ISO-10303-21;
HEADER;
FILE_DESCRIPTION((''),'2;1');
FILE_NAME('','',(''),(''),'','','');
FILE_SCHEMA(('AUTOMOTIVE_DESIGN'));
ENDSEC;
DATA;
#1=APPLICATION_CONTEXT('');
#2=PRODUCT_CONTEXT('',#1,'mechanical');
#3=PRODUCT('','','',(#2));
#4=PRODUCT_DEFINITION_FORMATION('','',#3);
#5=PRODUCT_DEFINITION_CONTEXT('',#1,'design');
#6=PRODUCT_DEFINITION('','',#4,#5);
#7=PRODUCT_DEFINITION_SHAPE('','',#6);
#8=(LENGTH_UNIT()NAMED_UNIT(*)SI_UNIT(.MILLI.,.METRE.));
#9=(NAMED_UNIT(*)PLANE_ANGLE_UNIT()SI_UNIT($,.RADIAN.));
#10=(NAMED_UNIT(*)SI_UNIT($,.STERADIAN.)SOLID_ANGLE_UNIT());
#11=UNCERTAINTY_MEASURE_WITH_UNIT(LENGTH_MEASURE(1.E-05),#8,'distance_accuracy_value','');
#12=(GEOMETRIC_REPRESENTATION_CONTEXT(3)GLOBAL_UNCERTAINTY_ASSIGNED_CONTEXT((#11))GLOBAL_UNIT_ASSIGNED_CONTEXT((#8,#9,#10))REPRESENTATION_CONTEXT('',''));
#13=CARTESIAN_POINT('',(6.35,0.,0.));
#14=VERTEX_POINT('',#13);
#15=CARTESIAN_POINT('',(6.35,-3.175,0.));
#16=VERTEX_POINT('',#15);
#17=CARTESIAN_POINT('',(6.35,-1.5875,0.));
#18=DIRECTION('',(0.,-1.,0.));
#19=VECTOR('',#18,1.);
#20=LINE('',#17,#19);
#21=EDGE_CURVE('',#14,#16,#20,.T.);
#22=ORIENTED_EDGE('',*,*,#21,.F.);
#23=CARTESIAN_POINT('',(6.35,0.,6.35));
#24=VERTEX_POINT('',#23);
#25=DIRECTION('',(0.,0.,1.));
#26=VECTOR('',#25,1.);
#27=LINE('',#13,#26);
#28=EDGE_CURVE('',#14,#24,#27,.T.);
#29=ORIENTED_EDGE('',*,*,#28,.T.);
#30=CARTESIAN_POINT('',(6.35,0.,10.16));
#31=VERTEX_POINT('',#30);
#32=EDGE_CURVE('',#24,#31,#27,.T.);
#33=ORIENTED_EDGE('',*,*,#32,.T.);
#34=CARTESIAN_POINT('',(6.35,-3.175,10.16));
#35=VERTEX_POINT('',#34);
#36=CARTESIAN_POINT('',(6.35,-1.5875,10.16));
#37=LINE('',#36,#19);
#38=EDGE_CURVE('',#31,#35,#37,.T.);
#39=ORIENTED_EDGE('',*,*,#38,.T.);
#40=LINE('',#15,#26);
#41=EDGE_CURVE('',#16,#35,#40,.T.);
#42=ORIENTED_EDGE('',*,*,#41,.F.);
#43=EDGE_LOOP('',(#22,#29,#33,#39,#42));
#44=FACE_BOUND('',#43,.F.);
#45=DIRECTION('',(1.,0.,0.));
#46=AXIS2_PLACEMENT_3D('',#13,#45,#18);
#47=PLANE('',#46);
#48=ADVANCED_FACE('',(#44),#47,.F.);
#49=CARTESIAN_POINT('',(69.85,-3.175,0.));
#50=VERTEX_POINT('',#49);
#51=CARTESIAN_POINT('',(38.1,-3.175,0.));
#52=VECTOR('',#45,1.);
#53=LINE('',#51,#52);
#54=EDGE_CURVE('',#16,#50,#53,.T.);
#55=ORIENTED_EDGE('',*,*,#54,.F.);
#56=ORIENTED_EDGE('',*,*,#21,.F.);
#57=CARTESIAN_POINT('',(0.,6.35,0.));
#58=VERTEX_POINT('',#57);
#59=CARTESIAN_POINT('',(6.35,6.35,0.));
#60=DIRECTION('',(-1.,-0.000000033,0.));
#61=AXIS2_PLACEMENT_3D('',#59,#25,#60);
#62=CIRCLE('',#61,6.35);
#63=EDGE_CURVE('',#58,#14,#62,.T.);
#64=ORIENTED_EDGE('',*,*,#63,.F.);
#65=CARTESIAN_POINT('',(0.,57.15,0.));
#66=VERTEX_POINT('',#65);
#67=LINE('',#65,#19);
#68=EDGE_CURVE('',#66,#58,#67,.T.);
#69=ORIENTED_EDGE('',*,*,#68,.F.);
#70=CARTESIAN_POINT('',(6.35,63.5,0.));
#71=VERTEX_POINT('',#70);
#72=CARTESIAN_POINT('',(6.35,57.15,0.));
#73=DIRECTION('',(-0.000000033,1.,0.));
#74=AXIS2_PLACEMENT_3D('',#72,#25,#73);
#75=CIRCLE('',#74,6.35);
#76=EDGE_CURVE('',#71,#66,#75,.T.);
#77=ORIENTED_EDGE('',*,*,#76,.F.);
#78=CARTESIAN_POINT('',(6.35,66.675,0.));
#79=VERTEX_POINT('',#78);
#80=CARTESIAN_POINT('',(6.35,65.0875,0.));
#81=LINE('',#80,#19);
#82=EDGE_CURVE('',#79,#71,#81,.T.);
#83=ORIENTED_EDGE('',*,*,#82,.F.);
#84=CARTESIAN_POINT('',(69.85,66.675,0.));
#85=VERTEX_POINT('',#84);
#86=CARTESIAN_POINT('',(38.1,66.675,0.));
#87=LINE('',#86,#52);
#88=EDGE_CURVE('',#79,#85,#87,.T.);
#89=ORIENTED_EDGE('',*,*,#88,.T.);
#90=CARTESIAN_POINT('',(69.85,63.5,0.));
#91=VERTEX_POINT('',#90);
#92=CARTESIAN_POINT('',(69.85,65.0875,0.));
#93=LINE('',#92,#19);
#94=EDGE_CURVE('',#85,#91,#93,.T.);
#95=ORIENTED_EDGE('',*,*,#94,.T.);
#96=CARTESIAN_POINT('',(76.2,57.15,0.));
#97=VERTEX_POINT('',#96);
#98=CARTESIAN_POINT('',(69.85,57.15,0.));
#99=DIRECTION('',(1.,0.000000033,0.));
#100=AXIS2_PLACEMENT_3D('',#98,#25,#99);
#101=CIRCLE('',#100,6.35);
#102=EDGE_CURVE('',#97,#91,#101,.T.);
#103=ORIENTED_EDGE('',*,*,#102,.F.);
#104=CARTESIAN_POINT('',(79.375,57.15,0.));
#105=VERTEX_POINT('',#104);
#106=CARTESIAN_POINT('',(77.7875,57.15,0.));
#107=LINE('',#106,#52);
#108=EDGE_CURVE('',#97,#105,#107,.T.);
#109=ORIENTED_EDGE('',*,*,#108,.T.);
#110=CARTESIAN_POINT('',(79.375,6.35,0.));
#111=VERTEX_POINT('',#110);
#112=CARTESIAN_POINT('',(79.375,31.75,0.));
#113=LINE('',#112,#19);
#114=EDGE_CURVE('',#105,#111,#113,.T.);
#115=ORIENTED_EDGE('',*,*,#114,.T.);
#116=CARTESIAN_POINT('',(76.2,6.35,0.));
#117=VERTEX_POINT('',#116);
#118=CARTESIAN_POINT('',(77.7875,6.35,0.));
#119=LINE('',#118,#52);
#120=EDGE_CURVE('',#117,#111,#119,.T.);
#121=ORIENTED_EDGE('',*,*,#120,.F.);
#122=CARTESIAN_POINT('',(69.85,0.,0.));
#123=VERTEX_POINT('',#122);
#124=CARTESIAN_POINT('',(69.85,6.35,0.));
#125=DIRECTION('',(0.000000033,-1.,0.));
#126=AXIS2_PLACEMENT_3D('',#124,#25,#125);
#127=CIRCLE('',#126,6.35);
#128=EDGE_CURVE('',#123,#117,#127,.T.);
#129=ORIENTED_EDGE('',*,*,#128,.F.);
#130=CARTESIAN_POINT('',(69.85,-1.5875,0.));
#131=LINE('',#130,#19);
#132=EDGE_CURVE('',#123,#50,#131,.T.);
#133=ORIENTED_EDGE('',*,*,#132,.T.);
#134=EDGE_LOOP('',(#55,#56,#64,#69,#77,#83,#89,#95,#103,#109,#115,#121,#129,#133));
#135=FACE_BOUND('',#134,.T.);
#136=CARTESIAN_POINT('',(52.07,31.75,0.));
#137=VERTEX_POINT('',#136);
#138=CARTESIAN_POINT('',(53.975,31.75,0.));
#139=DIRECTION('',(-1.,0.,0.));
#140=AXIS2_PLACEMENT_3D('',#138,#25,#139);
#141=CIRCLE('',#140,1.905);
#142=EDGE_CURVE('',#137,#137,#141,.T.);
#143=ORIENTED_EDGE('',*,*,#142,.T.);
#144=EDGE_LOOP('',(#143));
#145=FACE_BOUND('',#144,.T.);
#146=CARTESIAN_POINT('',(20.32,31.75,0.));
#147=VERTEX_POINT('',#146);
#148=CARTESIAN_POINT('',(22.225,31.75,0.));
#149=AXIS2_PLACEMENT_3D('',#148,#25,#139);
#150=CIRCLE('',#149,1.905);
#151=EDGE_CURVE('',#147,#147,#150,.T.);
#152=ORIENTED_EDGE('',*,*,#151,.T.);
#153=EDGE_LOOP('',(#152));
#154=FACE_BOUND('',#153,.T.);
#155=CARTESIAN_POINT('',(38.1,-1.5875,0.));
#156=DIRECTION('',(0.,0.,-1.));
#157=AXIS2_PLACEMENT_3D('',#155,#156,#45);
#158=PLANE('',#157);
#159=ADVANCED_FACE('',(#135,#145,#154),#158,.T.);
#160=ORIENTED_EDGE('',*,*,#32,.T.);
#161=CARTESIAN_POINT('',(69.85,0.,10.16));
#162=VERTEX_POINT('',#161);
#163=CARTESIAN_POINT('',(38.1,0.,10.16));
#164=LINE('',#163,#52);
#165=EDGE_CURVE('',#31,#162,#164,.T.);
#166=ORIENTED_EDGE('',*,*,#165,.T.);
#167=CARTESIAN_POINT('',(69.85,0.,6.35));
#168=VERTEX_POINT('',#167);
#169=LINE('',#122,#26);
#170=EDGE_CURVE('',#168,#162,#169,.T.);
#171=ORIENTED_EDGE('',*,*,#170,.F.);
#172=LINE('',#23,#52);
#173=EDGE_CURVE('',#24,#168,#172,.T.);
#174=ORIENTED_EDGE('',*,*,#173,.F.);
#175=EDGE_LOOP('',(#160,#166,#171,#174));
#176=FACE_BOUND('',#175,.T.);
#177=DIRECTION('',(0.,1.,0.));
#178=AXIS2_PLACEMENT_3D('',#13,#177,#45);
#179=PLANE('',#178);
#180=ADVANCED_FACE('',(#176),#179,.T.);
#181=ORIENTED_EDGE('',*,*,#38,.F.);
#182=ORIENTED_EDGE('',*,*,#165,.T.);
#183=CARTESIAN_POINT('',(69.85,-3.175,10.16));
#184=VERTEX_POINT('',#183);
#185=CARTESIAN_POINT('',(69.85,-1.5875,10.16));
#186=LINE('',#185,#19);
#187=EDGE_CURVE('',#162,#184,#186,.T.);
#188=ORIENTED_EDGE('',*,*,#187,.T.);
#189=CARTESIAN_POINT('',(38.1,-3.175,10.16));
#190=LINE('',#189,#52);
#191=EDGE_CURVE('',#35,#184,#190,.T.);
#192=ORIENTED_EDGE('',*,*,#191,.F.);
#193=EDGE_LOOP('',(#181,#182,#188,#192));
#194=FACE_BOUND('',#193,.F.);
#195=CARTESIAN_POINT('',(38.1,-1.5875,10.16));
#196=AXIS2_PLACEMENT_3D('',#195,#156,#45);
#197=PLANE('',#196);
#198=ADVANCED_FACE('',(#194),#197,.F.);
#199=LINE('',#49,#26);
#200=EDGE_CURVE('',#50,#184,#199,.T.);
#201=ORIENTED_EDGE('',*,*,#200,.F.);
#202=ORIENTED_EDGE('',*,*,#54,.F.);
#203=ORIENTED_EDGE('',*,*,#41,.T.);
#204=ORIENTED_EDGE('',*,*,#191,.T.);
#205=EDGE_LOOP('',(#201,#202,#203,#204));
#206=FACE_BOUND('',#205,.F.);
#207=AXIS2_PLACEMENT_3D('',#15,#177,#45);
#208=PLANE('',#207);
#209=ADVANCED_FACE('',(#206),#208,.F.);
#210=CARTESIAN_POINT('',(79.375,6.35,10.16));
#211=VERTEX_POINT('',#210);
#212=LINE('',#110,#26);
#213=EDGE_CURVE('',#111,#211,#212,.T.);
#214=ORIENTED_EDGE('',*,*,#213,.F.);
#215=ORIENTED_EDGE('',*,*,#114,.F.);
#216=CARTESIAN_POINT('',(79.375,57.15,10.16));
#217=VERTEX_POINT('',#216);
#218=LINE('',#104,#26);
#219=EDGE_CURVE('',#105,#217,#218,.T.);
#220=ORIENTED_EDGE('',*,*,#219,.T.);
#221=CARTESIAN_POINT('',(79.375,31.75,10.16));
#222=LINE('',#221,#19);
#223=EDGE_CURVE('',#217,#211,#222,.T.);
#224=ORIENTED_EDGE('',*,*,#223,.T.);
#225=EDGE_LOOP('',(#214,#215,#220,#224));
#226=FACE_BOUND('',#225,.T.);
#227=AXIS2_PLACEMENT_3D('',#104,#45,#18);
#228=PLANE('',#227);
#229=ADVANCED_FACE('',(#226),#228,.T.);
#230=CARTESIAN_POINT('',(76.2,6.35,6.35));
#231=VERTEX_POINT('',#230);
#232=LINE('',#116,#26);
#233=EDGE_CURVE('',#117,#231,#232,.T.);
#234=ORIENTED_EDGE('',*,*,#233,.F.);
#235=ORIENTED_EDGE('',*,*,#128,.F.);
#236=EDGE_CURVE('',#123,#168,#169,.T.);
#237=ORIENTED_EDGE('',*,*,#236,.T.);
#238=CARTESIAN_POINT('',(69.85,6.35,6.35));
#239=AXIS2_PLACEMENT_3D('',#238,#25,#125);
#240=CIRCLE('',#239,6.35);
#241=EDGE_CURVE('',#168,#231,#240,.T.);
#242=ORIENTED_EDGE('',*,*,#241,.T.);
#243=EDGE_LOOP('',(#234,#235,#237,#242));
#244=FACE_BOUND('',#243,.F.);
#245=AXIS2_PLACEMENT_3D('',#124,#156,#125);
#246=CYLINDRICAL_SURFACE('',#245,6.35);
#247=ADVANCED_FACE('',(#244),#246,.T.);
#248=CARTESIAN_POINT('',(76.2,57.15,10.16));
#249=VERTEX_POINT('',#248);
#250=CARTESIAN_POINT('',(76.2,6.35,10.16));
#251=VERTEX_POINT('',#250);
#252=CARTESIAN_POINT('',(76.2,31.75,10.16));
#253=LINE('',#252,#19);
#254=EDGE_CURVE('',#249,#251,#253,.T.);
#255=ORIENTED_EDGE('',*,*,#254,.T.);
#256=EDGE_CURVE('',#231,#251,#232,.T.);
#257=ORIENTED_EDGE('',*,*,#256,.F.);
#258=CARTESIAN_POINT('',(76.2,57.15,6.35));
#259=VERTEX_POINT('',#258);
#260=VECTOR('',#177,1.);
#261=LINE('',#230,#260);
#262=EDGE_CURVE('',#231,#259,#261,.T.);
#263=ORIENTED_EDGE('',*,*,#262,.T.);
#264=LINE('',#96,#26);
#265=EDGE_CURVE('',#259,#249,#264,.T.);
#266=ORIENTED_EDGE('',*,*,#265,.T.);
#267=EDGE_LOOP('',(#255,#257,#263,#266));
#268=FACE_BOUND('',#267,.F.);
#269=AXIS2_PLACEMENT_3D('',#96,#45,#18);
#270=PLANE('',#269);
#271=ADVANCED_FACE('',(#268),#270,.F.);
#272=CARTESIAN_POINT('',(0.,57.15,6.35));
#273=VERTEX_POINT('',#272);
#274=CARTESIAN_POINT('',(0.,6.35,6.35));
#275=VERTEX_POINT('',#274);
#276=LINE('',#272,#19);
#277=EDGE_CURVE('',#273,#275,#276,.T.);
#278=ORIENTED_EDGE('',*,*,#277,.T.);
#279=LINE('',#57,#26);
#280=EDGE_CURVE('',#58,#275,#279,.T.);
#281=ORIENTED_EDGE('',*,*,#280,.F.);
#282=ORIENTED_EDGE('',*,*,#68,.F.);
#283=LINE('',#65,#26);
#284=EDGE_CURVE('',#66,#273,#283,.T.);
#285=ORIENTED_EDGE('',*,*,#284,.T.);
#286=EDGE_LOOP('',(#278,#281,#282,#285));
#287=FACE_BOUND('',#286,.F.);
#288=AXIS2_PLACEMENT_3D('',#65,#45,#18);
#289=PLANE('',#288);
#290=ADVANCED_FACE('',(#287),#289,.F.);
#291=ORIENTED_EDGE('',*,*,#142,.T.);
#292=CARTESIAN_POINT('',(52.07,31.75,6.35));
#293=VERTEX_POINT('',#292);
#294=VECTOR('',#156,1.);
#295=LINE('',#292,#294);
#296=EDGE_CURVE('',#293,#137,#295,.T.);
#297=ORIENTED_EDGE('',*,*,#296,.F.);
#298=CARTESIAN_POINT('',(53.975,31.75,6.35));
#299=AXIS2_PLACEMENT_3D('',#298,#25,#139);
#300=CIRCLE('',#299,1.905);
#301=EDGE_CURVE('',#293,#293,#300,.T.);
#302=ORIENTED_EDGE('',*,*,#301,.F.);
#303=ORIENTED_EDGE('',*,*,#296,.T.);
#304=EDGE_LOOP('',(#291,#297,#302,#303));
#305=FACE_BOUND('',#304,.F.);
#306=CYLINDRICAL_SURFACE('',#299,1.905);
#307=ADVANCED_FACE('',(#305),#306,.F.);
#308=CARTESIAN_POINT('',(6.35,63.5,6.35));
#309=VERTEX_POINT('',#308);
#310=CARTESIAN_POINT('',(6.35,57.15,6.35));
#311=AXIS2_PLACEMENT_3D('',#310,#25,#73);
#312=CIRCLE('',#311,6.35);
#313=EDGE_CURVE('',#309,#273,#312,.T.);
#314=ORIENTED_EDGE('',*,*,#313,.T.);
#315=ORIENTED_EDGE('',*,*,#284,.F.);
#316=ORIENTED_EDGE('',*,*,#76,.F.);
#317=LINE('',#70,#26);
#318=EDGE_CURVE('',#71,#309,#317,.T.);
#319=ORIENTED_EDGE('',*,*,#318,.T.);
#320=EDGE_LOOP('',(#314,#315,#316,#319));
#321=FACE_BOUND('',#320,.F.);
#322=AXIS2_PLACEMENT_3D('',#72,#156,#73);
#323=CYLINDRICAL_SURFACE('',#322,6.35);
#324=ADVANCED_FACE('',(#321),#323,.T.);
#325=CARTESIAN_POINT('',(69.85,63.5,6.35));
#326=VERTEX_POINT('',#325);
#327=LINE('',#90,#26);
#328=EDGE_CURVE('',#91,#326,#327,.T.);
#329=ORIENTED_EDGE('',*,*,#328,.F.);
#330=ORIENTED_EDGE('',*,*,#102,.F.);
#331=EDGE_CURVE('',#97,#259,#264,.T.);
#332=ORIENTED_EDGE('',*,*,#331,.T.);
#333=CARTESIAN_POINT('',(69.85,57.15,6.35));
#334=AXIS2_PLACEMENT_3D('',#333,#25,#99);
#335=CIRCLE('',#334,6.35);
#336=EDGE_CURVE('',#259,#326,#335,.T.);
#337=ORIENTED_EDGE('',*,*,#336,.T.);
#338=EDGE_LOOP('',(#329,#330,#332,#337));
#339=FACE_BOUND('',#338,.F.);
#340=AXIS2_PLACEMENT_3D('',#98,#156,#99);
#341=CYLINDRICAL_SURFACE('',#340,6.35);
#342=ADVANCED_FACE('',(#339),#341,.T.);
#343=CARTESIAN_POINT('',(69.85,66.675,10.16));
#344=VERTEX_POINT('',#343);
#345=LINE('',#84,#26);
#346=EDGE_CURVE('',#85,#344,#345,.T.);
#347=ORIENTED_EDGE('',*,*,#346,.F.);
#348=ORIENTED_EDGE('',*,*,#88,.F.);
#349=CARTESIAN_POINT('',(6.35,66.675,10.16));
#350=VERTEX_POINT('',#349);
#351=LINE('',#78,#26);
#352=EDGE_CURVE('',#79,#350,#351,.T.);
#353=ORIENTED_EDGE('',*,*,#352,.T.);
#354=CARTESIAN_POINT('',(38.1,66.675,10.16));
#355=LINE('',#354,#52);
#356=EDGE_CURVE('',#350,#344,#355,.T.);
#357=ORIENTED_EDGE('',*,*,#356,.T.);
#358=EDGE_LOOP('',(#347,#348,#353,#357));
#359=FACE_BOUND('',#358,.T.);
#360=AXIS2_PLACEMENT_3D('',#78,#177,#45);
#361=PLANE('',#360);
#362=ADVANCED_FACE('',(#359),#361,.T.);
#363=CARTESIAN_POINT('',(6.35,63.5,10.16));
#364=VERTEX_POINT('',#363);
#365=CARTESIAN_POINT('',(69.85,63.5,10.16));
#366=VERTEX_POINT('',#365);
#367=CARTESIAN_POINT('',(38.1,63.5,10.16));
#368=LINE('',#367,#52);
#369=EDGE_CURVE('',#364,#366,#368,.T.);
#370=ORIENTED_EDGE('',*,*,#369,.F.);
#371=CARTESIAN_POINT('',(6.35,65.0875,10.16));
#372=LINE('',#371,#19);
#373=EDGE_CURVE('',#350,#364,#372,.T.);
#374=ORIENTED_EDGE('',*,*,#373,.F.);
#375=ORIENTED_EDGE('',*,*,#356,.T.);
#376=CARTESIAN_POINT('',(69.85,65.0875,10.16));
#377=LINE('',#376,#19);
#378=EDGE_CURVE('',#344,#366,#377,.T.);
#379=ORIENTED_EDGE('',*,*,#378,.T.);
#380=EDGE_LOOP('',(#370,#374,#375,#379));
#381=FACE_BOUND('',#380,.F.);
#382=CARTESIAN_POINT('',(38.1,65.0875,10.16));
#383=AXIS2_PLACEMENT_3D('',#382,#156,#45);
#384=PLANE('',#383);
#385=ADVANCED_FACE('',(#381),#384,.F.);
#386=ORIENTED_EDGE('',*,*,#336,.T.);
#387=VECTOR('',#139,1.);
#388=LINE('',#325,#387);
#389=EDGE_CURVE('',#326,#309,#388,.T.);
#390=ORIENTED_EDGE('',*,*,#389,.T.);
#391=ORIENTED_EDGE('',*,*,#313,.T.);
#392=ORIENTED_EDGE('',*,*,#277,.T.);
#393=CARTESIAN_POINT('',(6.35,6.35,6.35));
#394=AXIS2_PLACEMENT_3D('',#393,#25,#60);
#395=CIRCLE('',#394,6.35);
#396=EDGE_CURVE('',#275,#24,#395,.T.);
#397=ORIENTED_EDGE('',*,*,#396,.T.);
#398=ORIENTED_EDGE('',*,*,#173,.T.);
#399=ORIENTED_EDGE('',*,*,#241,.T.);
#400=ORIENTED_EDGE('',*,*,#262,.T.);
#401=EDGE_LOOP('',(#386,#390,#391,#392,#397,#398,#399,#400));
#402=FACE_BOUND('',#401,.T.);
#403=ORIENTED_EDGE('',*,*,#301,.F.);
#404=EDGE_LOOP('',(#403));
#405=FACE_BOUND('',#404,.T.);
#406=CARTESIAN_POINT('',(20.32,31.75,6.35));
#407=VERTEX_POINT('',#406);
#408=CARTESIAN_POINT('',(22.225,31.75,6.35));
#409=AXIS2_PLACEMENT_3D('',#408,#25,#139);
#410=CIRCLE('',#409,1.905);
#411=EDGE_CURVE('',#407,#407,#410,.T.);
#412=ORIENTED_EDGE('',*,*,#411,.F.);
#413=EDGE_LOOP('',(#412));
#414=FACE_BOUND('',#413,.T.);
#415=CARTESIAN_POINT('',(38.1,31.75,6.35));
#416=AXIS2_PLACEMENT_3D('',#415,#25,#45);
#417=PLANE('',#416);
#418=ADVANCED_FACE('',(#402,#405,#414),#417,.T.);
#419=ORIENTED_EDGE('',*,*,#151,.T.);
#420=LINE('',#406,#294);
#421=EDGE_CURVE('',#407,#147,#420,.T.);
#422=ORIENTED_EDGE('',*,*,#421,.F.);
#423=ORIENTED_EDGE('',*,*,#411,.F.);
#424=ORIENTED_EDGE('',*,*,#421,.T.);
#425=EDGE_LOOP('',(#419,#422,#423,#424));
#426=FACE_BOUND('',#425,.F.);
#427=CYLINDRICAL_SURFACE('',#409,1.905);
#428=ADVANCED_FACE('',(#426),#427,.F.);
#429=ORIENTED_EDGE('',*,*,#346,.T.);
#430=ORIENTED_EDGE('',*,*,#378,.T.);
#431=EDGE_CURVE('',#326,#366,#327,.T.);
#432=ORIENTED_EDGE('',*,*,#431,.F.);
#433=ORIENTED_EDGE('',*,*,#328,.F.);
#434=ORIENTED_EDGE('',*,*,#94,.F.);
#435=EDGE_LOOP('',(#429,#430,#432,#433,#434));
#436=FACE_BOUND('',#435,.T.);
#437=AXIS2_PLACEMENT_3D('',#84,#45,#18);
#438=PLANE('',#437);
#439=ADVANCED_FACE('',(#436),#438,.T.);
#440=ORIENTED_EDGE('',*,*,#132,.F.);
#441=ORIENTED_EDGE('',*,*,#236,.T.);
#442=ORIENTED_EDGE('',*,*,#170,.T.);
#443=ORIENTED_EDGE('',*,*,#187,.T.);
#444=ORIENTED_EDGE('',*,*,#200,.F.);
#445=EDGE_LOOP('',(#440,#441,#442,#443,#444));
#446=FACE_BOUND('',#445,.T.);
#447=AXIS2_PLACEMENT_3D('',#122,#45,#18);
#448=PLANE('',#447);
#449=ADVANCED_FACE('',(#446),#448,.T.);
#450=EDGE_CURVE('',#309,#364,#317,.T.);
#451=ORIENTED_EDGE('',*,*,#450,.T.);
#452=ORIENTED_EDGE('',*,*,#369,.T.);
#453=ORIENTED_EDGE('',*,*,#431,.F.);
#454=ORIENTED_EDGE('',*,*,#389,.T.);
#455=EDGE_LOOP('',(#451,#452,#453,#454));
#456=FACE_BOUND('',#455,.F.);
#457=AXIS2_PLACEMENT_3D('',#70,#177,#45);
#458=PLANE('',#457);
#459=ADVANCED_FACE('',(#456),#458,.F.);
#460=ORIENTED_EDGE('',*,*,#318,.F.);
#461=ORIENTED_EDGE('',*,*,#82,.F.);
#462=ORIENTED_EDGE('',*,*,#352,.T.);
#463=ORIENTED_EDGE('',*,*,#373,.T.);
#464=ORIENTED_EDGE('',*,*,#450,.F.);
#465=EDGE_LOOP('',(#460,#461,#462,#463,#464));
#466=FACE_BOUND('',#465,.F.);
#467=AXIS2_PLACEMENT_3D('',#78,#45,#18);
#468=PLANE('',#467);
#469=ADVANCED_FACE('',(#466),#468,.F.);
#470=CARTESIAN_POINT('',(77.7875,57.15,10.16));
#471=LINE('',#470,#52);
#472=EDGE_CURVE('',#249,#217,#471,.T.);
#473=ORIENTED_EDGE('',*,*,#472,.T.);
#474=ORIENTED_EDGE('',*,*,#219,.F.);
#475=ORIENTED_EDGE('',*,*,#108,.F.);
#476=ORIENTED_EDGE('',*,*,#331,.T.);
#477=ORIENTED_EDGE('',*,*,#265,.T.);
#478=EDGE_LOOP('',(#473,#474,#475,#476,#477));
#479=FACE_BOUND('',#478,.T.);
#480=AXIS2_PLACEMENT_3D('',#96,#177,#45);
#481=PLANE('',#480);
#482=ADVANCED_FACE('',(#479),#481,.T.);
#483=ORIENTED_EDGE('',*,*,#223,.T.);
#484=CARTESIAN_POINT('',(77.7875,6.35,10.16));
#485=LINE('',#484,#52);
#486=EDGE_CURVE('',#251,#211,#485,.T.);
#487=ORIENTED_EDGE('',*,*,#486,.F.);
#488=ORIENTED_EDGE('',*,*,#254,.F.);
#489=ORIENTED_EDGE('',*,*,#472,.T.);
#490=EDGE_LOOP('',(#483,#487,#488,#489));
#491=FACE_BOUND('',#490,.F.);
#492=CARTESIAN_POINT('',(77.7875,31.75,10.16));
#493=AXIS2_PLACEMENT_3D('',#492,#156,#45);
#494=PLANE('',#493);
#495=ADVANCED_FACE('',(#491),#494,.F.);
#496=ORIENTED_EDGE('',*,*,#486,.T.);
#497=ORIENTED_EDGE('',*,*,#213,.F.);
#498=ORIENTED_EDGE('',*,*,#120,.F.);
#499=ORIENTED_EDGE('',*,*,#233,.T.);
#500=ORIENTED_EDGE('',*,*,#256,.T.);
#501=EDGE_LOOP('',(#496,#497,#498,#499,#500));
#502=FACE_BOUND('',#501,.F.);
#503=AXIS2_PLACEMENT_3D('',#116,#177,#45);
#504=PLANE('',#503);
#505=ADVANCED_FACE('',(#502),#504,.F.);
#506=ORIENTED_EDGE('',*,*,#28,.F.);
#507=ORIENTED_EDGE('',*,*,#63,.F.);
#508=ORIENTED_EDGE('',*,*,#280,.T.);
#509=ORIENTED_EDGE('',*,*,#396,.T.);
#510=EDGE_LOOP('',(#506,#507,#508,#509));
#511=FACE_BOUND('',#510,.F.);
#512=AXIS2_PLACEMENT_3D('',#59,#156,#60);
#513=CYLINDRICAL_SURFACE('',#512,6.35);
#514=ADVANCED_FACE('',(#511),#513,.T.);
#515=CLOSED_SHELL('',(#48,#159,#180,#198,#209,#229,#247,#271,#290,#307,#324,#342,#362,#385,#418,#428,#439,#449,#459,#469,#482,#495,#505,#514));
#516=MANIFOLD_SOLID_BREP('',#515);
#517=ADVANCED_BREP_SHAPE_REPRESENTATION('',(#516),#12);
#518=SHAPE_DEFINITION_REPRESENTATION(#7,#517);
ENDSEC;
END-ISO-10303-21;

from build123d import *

# Parameters (mm, degrees)
F1_DEPTH = 6.35
F3_DEPTH = 6.351
F4_W     = 63.5
F4_H     = 3.175
F4_W_2   = 3.175
F4_H_2   = 50.8
F5_DEPTH = 10.16


with BuildPart() as f1:
    # F0 (on Top) → F1 (new body)
    with BuildSketch(Plane.XY):
        with BuildLine():
            ThreePointArc((0, 6.35), (1.859872, 1.859872), (6.35, 0))
            Line((6.35, 0), (69.85, 0))
            ThreePointArc((69.85, 0), (74.340128, 1.859872), (76.2, 6.35))
            Line((76.2, 6.35), (76.2, 57.15))
            ThreePointArc((76.2, 57.15), (74.340128, 61.640128), (69.85, 63.5))
            Line((69.85, 63.5), (6.35, 63.5))
            ThreePointArc((6.35, 63.5), (1.859872, 61.640128), (0, 57.15))
            Line((0, 57.15), (0, 6.35))
        make_face()
    extrude(amount=F1_DEPTH)

    # F2 (on face) → F3 (cut, through all)
    with BuildSketch(Plane.XY.offset(6.35)):
        with BuildLine():
            ThreePointArc((24.13, 31.75), (22.225, 33.655), (20.32, 31.75))
            Line((20.32, 31.75), (22.225, 31.75))
            Line((22.225, 31.75), (24.13, 31.75))
        make_face()
        with BuildLine():
            ThreePointArc((55.88, 31.75), (53.975, 33.655), (52.07, 31.75))
            Line((52.07, 31.75), (53.975, 31.75))
            Line((53.975, 31.75), (55.88, 31.75))
        make_face()
        with BuildLine():
            Line((53.975, 31.75), (52.07, 31.75))
            ThreePointArc((52.07, 31.75), (53.975, 29.845), (55.88, 31.75))
            Line((55.88, 31.75), (53.975, 31.75))
        make_face()
        with BuildLine():
            Line((22.225, 31.75), (20.32, 31.75))
            ThreePointArc((20.32, 31.75), (22.225, 29.845), (24.13, 31.75))
            Line((24.13, 31.75), (22.225, 31.75))
        make_face()
    extrude(amount=-F3_DEPTH, mode=Mode.SUBTRACT)

    # F4 (on face) → F5 (join)
    with BuildSketch(Plane(origin=(0, 0, 0), x_dir=(1, 0, 0), z_dir=(0, 0, -1))):
        with Locations((38.1, 1.5875)):
            Rectangle(F4_W, F4_H)
        with Locations((77.7875, -31.75)):
            Rectangle(F4_W_2, F4_H_2)
        with Locations((38.1, -65.0875)):
            Rectangle(F4_W, F4_H)
    extrude(amount=-F5_DEPTH)


solid = f1.part
